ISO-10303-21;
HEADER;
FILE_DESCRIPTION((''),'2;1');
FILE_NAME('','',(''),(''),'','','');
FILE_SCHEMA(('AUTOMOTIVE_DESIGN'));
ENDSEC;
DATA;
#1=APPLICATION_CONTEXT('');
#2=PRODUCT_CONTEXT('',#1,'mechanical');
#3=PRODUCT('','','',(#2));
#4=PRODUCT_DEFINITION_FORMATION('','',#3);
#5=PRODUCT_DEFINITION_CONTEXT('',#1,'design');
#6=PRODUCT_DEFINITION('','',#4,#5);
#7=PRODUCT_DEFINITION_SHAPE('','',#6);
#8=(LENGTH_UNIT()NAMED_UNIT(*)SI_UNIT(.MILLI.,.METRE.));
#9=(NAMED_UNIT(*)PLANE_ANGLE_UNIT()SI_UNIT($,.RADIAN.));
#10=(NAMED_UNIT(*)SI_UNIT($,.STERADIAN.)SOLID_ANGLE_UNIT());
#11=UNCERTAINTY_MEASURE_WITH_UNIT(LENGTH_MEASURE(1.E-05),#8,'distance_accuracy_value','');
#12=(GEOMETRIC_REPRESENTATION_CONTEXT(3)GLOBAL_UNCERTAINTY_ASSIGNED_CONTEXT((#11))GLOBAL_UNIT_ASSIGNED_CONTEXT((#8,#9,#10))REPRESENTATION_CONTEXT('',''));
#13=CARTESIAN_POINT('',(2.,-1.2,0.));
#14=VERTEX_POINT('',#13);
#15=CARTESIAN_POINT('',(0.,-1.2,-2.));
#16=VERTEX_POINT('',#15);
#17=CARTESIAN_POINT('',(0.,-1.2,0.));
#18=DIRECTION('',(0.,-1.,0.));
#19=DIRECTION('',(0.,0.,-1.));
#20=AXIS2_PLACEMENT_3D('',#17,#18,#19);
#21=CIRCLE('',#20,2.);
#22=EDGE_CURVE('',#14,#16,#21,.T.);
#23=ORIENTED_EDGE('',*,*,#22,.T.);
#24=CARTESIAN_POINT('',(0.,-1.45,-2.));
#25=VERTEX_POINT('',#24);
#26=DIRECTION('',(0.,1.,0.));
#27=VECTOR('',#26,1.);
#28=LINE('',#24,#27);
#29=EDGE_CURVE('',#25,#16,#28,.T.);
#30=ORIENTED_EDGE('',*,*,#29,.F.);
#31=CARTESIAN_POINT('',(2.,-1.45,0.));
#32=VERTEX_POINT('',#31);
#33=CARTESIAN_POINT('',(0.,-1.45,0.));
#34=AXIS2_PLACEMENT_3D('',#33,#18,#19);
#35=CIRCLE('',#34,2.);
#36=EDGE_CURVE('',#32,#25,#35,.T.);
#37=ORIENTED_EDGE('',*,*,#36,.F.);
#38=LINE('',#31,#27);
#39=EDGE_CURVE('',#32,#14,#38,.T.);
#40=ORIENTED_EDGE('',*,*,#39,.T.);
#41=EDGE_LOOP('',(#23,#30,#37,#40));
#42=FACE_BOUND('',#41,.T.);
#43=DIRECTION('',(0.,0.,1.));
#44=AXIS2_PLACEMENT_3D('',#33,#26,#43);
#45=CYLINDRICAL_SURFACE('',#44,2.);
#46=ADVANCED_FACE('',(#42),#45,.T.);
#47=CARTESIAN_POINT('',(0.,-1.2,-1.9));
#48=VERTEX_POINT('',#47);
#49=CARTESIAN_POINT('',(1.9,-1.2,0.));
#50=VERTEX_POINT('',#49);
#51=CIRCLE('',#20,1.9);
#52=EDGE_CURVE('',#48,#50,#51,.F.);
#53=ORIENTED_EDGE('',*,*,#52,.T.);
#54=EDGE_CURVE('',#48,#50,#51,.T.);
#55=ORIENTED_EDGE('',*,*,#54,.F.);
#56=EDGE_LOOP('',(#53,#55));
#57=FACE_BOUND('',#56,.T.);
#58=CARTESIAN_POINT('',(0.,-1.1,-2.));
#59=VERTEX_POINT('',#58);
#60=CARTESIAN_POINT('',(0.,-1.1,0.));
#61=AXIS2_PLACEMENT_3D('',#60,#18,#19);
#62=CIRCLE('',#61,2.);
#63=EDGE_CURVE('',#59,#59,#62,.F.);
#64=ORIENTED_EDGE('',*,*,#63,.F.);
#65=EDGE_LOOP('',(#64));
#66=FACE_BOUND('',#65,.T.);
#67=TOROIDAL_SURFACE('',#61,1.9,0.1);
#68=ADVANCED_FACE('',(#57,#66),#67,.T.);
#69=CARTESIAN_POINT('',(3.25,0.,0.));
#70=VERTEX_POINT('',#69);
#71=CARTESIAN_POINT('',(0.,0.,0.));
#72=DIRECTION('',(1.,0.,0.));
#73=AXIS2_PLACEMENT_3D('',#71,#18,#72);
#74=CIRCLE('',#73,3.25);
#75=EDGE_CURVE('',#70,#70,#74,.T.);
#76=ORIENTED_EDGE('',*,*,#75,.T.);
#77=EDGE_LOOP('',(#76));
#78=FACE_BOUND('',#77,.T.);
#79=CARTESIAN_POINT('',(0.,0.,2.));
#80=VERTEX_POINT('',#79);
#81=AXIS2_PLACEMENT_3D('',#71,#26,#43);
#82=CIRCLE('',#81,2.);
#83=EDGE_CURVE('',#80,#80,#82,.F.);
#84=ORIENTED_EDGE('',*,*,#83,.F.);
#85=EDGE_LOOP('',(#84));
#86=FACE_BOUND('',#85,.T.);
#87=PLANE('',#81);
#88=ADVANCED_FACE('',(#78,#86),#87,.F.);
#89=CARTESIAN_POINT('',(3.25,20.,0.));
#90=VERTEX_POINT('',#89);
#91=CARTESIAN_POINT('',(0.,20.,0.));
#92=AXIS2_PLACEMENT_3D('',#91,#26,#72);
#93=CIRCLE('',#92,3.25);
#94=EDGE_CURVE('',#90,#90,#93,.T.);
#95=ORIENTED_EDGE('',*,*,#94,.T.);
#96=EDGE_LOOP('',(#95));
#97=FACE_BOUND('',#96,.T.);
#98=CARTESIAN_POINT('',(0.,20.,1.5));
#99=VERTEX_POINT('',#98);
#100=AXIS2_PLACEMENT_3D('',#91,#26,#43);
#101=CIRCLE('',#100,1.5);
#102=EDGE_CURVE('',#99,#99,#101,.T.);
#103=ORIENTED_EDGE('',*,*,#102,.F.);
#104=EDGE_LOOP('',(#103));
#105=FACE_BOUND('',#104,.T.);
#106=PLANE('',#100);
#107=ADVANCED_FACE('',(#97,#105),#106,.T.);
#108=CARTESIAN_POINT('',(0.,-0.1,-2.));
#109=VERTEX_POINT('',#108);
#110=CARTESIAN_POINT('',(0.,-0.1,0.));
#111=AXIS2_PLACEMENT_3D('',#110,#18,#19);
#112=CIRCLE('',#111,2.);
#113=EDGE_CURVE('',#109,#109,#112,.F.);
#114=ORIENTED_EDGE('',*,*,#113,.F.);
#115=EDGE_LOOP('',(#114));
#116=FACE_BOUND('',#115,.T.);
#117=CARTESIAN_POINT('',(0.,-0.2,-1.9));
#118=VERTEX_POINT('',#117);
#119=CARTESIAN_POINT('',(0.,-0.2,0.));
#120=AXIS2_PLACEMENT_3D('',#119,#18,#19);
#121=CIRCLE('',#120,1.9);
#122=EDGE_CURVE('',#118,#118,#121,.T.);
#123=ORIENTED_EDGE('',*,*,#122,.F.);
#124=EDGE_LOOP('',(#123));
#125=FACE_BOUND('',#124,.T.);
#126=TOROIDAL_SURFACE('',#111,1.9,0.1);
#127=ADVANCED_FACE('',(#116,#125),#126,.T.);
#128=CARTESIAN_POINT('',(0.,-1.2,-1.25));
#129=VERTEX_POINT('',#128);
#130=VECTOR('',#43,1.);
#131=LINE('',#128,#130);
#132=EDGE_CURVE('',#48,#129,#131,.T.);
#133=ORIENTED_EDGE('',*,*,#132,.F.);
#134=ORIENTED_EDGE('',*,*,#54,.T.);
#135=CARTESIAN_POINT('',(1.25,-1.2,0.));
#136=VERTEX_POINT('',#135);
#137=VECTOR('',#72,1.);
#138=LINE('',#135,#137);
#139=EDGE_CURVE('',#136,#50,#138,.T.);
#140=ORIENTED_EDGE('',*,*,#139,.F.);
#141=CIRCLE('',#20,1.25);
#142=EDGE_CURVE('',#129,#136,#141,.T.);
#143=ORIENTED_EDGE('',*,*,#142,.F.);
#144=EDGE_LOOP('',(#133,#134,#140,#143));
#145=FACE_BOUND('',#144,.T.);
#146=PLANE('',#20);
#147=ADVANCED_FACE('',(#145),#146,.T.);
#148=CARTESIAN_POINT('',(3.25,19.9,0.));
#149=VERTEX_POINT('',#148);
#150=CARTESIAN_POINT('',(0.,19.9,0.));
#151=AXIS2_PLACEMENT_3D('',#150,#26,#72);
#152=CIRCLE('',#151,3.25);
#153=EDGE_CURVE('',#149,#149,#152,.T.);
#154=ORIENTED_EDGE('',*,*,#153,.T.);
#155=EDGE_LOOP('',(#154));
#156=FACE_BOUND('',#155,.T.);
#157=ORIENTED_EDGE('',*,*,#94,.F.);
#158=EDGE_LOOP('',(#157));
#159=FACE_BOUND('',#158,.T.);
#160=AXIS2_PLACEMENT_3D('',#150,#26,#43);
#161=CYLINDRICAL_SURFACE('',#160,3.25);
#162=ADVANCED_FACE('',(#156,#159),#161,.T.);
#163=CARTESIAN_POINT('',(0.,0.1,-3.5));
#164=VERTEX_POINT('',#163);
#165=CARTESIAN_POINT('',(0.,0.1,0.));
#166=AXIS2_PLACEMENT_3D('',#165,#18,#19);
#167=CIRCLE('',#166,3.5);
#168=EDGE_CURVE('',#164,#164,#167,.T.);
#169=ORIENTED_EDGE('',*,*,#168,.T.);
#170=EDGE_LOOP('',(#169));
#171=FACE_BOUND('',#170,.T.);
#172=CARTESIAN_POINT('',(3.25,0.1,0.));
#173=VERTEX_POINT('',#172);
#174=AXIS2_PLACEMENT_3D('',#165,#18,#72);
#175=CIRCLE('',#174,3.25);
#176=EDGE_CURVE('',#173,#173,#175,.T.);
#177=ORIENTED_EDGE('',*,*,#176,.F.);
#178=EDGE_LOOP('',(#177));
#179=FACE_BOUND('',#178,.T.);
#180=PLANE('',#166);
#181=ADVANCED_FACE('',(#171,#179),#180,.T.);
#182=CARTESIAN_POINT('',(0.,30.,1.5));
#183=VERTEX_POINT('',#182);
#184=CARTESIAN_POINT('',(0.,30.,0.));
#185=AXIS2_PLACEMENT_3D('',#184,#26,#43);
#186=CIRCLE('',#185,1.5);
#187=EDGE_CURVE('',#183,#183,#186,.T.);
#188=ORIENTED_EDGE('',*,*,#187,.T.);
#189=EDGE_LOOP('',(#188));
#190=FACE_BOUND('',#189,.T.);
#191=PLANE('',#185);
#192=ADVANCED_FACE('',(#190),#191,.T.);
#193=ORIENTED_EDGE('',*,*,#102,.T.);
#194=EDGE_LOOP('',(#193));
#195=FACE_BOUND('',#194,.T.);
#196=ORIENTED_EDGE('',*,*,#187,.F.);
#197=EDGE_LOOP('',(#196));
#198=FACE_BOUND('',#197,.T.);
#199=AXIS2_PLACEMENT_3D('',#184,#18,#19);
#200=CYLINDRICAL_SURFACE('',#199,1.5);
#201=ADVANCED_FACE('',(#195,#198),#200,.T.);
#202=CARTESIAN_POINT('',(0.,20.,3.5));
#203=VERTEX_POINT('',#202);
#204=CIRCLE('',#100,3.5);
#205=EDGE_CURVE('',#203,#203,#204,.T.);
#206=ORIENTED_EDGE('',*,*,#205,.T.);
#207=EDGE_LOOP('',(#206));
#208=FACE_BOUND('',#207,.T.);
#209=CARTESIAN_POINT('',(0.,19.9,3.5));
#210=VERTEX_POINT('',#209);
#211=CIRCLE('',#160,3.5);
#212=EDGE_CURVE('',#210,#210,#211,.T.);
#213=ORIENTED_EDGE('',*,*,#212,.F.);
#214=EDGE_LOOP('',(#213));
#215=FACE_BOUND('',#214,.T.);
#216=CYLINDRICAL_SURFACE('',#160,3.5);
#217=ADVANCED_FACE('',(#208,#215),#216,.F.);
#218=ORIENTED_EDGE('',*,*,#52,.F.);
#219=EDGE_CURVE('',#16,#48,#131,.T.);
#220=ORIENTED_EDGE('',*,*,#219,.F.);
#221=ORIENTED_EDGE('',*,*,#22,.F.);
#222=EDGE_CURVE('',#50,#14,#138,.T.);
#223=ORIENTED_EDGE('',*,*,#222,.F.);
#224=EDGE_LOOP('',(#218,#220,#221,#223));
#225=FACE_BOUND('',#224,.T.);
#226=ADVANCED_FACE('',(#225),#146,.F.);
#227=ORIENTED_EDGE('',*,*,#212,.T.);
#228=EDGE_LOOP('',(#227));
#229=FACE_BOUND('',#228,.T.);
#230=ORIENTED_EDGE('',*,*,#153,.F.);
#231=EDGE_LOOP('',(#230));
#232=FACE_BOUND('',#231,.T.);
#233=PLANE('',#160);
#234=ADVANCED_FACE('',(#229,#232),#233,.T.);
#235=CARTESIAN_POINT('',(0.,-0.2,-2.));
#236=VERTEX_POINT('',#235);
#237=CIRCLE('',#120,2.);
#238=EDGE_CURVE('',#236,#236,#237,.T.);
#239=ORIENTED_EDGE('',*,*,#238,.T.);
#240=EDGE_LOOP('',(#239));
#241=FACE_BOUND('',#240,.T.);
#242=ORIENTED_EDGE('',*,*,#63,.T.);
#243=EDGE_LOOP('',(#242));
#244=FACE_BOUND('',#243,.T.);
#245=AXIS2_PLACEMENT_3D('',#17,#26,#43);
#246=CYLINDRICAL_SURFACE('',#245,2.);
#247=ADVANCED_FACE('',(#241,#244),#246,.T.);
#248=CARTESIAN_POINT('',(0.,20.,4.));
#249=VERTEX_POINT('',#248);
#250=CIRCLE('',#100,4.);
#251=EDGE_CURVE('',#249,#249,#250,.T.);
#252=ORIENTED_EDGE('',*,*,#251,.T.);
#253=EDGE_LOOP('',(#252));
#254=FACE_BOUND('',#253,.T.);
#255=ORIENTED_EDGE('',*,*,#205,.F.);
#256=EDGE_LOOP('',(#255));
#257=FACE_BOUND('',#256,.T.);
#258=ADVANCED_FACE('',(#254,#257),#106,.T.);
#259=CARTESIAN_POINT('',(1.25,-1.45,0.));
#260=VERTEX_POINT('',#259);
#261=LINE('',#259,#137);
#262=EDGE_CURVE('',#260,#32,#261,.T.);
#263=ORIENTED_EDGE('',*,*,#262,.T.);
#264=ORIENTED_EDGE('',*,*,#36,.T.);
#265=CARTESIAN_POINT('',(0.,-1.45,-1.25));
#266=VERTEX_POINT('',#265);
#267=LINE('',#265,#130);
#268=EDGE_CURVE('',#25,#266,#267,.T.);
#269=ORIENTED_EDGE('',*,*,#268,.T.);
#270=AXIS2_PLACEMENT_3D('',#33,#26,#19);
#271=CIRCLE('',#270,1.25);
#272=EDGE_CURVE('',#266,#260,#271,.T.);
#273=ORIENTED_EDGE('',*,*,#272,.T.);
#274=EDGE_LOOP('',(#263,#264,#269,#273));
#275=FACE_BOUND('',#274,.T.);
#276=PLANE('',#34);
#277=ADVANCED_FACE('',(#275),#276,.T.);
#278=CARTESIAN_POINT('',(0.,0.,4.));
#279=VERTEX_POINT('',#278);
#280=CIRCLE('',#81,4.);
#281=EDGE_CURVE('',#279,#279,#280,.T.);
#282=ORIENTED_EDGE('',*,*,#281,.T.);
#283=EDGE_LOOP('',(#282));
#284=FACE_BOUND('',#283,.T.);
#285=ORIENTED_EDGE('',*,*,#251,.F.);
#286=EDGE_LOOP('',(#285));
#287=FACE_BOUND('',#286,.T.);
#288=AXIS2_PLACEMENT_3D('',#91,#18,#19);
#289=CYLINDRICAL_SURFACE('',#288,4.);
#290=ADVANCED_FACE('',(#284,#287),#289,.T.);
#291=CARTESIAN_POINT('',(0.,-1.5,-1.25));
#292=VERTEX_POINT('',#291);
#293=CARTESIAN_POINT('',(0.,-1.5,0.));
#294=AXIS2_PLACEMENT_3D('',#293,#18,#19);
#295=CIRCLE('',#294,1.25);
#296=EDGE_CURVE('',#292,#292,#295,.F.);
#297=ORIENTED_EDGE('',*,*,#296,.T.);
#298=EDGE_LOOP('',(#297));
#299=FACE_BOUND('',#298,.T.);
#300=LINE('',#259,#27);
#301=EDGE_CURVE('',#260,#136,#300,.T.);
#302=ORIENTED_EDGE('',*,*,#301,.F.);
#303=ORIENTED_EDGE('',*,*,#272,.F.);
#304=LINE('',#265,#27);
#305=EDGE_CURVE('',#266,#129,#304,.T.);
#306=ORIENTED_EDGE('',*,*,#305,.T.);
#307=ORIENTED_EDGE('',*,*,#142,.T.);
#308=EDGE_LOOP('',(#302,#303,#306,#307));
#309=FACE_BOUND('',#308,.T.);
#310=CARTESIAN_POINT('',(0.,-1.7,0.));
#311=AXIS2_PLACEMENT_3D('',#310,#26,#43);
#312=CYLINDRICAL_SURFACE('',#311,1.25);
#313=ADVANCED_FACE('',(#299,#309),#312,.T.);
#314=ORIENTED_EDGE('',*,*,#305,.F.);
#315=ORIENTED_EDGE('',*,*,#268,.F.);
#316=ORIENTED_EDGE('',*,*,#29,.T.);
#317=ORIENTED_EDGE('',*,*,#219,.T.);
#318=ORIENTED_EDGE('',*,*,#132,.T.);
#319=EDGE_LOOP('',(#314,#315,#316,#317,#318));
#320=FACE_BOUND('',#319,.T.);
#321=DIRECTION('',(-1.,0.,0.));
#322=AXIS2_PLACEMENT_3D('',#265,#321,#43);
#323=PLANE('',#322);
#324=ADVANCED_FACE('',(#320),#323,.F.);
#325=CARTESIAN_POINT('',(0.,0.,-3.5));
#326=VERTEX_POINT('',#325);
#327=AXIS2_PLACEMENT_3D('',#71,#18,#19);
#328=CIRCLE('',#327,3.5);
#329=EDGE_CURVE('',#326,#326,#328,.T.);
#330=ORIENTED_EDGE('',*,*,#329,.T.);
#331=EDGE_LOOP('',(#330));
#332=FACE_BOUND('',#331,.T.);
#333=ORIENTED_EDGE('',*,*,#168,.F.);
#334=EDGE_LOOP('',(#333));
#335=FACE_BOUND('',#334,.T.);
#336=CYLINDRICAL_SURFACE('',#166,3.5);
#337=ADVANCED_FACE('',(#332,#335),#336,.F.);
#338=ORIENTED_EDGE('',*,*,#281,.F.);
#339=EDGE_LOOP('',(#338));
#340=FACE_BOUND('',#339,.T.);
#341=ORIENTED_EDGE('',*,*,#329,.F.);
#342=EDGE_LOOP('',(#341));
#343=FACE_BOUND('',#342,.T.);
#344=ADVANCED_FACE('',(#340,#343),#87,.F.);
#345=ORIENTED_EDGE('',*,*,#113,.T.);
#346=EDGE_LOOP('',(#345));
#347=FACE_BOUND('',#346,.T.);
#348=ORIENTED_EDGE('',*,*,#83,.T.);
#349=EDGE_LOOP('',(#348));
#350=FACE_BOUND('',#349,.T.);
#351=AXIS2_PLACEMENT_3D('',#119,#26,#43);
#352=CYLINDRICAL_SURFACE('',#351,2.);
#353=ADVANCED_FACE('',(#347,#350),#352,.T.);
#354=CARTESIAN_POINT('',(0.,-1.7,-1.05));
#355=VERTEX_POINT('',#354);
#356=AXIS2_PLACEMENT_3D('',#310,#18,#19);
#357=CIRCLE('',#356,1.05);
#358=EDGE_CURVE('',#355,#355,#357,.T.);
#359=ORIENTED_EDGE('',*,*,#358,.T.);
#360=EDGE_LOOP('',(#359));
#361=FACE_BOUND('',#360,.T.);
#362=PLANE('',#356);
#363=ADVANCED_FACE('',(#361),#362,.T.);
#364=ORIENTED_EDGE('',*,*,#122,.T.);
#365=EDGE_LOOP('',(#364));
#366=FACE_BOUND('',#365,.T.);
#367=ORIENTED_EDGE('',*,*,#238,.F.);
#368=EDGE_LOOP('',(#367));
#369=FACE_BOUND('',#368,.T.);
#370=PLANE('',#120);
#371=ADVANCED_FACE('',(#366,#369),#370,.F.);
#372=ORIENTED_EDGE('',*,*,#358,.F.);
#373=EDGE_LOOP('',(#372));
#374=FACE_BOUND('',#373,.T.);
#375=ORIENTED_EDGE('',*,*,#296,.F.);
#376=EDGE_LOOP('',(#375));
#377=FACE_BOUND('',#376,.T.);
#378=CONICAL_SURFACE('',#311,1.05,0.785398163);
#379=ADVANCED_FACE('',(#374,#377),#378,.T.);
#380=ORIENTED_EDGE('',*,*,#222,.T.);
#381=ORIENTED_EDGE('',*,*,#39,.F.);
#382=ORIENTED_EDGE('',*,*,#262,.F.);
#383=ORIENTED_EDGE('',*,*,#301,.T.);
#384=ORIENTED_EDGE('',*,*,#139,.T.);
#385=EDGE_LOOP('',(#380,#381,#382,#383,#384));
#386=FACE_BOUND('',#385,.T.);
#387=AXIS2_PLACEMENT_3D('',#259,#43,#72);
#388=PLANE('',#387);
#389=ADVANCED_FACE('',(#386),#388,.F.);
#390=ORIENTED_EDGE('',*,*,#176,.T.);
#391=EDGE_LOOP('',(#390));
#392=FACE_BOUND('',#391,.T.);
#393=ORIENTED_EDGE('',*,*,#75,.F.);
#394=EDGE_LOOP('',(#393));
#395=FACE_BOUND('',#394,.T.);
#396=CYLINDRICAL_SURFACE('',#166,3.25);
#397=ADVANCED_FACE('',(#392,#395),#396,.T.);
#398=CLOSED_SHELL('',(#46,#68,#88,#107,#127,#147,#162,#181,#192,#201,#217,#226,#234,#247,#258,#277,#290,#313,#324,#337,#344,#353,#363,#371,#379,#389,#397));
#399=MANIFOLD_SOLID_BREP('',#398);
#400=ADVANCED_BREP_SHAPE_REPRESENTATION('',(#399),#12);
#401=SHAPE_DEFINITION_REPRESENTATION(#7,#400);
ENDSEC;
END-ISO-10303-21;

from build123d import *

# Parameters (mm, degrees)
SKETCH1_R               = 4
BOSS_EXTRUDE1_DEPTH     = 20
SKETCH2_R               = 3.5
SKETCH2_R_2             = 3.25
CUT_EXTRUDE_THIN1_DEPTH = 0.1
SKETCH3_R               = 2
BOSS_EXTRUDE2_DEPTH     = 0.2
FILLET1_R               = 0.1
SKETCH4_R               = 2
BOSS_EXTRUDE3_DEPTH     = 1
FILLET2_R               = 0.1
SKETCH5_R               = 1.25
BOSS_EXTRUDE4_DEPTH     = 0.5
CHAMFER1_SIZE           = 0.2
BOSS_EXTRUDE5_DEPTH     = 0.25
SKETCH7_R               = 1.5
BOSS_EXTRUDE6_DEPTH     = 10
SKETCH8_R               = 3.5
SKETCH8_R_2             = 3.25
CUT_EXTRUDE_THIN2_DEPTH = 0.1


with BuildPart() as part:
    # Sketch1 → Boss-Extrude1 (new body)
    with BuildSketch(Plane(origin=(0, 0, 0), x_dir=(1, 0, 0), z_dir=(0, 1, 0))):
        Circle(SKETCH1_R)
    extrude(amount=BOSS_EXTRUDE1_DEPTH)

    # Sketch2 → Cut-Extrude-Thin1 (cut)
    with BuildSketch(Plane.XZ):
        Circle(SKETCH2_R)
        Circle(SKETCH2_R_2, mode=Mode.SUBTRACT)
    extrude(amount=-CUT_EXTRUDE_THIN1_DEPTH, mode=Mode.SUBTRACT)

    # Sketch3 → Boss-Extrude2 (add)
    with BuildSketch(Plane.XZ):
        Circle(SKETCH3_R)
    extrude(amount=BOSS_EXTRUDE2_DEPTH)

    # Fillet1
    fillet1_edges = [part.edges().sort_by_distance(p)[0] for p in [
        (-2, -0.2, 0),
    ]]
    fillet(fillet1_edges, radius=FILLET1_R)

    # Sketch4 → Boss-Extrude3 (add)
    with BuildSketch(Plane.XZ.offset(0.2)):
        Circle(SKETCH4_R)
    extrude(amount=BOSS_EXTRUDE3_DEPTH)

    # Fillet2
    fillet2_edges = [part.edges().sort_by_distance(p)[0] for p in [
        (-2, -1.2, 0),
    ]]
    fillet(fillet2_edges, radius=FILLET2_R)

    # Sketch5 → Boss-Extrude4 (add)
    with BuildSketch(Plane.XZ.offset(1.2)):
        Circle(SKETCH5_R)
    extrude(amount=BOSS_EXTRUDE4_DEPTH)

    # Chamfer1
    chamfer1_edges = [part.edges().sort_by_distance(p)[0] for p in [
        (-1.25, -1.7, 0),
    ]]
    chamfer(chamfer1_edges, length=CHAMFER1_SIZE)

    # Sketch6 → Boss-Extrude5 (add)
    with BuildSketch(Plane.XZ.offset(1.2)):
        with BuildLine():
            Line((0, -1.25), (0, -2))
            ThreePointArc((0, -2), (-1.414213562, 1.414213562), (2, 0))
            Line((2, 0), (1.25, 0))
            ThreePointArc((1.25, 0), (-0.883883476, 0.883883476), (0, -1.25))
        make_face()
    extrude(amount=BOSS_EXTRUDE5_DEPTH)

    # Sketch7 → Boss-Extrude6 (add)
    with BuildSketch(Plane(origin=(0, 20, 0), x_dir=(1, 0, 0), z_dir=(0, 1, 0))):
        Circle(SKETCH7_R)
    extrude(amount=BOSS_EXTRUDE6_DEPTH)

    # Sketch8 → Cut-Extrude-Thin2 (cut)
    with BuildSketch(Plane(origin=(0, 20, 0), x_dir=(1, 0, 0), z_dir=(0, 1, 0))):
        Circle(SKETCH8_R)
        Circle(SKETCH8_R_2, mode=Mode.SUBTRACT)
    extrude(amount=-CUT_EXTRUDE_THIN2_DEPTH, mode=Mode.SUBTRACT)


solid = part.part
